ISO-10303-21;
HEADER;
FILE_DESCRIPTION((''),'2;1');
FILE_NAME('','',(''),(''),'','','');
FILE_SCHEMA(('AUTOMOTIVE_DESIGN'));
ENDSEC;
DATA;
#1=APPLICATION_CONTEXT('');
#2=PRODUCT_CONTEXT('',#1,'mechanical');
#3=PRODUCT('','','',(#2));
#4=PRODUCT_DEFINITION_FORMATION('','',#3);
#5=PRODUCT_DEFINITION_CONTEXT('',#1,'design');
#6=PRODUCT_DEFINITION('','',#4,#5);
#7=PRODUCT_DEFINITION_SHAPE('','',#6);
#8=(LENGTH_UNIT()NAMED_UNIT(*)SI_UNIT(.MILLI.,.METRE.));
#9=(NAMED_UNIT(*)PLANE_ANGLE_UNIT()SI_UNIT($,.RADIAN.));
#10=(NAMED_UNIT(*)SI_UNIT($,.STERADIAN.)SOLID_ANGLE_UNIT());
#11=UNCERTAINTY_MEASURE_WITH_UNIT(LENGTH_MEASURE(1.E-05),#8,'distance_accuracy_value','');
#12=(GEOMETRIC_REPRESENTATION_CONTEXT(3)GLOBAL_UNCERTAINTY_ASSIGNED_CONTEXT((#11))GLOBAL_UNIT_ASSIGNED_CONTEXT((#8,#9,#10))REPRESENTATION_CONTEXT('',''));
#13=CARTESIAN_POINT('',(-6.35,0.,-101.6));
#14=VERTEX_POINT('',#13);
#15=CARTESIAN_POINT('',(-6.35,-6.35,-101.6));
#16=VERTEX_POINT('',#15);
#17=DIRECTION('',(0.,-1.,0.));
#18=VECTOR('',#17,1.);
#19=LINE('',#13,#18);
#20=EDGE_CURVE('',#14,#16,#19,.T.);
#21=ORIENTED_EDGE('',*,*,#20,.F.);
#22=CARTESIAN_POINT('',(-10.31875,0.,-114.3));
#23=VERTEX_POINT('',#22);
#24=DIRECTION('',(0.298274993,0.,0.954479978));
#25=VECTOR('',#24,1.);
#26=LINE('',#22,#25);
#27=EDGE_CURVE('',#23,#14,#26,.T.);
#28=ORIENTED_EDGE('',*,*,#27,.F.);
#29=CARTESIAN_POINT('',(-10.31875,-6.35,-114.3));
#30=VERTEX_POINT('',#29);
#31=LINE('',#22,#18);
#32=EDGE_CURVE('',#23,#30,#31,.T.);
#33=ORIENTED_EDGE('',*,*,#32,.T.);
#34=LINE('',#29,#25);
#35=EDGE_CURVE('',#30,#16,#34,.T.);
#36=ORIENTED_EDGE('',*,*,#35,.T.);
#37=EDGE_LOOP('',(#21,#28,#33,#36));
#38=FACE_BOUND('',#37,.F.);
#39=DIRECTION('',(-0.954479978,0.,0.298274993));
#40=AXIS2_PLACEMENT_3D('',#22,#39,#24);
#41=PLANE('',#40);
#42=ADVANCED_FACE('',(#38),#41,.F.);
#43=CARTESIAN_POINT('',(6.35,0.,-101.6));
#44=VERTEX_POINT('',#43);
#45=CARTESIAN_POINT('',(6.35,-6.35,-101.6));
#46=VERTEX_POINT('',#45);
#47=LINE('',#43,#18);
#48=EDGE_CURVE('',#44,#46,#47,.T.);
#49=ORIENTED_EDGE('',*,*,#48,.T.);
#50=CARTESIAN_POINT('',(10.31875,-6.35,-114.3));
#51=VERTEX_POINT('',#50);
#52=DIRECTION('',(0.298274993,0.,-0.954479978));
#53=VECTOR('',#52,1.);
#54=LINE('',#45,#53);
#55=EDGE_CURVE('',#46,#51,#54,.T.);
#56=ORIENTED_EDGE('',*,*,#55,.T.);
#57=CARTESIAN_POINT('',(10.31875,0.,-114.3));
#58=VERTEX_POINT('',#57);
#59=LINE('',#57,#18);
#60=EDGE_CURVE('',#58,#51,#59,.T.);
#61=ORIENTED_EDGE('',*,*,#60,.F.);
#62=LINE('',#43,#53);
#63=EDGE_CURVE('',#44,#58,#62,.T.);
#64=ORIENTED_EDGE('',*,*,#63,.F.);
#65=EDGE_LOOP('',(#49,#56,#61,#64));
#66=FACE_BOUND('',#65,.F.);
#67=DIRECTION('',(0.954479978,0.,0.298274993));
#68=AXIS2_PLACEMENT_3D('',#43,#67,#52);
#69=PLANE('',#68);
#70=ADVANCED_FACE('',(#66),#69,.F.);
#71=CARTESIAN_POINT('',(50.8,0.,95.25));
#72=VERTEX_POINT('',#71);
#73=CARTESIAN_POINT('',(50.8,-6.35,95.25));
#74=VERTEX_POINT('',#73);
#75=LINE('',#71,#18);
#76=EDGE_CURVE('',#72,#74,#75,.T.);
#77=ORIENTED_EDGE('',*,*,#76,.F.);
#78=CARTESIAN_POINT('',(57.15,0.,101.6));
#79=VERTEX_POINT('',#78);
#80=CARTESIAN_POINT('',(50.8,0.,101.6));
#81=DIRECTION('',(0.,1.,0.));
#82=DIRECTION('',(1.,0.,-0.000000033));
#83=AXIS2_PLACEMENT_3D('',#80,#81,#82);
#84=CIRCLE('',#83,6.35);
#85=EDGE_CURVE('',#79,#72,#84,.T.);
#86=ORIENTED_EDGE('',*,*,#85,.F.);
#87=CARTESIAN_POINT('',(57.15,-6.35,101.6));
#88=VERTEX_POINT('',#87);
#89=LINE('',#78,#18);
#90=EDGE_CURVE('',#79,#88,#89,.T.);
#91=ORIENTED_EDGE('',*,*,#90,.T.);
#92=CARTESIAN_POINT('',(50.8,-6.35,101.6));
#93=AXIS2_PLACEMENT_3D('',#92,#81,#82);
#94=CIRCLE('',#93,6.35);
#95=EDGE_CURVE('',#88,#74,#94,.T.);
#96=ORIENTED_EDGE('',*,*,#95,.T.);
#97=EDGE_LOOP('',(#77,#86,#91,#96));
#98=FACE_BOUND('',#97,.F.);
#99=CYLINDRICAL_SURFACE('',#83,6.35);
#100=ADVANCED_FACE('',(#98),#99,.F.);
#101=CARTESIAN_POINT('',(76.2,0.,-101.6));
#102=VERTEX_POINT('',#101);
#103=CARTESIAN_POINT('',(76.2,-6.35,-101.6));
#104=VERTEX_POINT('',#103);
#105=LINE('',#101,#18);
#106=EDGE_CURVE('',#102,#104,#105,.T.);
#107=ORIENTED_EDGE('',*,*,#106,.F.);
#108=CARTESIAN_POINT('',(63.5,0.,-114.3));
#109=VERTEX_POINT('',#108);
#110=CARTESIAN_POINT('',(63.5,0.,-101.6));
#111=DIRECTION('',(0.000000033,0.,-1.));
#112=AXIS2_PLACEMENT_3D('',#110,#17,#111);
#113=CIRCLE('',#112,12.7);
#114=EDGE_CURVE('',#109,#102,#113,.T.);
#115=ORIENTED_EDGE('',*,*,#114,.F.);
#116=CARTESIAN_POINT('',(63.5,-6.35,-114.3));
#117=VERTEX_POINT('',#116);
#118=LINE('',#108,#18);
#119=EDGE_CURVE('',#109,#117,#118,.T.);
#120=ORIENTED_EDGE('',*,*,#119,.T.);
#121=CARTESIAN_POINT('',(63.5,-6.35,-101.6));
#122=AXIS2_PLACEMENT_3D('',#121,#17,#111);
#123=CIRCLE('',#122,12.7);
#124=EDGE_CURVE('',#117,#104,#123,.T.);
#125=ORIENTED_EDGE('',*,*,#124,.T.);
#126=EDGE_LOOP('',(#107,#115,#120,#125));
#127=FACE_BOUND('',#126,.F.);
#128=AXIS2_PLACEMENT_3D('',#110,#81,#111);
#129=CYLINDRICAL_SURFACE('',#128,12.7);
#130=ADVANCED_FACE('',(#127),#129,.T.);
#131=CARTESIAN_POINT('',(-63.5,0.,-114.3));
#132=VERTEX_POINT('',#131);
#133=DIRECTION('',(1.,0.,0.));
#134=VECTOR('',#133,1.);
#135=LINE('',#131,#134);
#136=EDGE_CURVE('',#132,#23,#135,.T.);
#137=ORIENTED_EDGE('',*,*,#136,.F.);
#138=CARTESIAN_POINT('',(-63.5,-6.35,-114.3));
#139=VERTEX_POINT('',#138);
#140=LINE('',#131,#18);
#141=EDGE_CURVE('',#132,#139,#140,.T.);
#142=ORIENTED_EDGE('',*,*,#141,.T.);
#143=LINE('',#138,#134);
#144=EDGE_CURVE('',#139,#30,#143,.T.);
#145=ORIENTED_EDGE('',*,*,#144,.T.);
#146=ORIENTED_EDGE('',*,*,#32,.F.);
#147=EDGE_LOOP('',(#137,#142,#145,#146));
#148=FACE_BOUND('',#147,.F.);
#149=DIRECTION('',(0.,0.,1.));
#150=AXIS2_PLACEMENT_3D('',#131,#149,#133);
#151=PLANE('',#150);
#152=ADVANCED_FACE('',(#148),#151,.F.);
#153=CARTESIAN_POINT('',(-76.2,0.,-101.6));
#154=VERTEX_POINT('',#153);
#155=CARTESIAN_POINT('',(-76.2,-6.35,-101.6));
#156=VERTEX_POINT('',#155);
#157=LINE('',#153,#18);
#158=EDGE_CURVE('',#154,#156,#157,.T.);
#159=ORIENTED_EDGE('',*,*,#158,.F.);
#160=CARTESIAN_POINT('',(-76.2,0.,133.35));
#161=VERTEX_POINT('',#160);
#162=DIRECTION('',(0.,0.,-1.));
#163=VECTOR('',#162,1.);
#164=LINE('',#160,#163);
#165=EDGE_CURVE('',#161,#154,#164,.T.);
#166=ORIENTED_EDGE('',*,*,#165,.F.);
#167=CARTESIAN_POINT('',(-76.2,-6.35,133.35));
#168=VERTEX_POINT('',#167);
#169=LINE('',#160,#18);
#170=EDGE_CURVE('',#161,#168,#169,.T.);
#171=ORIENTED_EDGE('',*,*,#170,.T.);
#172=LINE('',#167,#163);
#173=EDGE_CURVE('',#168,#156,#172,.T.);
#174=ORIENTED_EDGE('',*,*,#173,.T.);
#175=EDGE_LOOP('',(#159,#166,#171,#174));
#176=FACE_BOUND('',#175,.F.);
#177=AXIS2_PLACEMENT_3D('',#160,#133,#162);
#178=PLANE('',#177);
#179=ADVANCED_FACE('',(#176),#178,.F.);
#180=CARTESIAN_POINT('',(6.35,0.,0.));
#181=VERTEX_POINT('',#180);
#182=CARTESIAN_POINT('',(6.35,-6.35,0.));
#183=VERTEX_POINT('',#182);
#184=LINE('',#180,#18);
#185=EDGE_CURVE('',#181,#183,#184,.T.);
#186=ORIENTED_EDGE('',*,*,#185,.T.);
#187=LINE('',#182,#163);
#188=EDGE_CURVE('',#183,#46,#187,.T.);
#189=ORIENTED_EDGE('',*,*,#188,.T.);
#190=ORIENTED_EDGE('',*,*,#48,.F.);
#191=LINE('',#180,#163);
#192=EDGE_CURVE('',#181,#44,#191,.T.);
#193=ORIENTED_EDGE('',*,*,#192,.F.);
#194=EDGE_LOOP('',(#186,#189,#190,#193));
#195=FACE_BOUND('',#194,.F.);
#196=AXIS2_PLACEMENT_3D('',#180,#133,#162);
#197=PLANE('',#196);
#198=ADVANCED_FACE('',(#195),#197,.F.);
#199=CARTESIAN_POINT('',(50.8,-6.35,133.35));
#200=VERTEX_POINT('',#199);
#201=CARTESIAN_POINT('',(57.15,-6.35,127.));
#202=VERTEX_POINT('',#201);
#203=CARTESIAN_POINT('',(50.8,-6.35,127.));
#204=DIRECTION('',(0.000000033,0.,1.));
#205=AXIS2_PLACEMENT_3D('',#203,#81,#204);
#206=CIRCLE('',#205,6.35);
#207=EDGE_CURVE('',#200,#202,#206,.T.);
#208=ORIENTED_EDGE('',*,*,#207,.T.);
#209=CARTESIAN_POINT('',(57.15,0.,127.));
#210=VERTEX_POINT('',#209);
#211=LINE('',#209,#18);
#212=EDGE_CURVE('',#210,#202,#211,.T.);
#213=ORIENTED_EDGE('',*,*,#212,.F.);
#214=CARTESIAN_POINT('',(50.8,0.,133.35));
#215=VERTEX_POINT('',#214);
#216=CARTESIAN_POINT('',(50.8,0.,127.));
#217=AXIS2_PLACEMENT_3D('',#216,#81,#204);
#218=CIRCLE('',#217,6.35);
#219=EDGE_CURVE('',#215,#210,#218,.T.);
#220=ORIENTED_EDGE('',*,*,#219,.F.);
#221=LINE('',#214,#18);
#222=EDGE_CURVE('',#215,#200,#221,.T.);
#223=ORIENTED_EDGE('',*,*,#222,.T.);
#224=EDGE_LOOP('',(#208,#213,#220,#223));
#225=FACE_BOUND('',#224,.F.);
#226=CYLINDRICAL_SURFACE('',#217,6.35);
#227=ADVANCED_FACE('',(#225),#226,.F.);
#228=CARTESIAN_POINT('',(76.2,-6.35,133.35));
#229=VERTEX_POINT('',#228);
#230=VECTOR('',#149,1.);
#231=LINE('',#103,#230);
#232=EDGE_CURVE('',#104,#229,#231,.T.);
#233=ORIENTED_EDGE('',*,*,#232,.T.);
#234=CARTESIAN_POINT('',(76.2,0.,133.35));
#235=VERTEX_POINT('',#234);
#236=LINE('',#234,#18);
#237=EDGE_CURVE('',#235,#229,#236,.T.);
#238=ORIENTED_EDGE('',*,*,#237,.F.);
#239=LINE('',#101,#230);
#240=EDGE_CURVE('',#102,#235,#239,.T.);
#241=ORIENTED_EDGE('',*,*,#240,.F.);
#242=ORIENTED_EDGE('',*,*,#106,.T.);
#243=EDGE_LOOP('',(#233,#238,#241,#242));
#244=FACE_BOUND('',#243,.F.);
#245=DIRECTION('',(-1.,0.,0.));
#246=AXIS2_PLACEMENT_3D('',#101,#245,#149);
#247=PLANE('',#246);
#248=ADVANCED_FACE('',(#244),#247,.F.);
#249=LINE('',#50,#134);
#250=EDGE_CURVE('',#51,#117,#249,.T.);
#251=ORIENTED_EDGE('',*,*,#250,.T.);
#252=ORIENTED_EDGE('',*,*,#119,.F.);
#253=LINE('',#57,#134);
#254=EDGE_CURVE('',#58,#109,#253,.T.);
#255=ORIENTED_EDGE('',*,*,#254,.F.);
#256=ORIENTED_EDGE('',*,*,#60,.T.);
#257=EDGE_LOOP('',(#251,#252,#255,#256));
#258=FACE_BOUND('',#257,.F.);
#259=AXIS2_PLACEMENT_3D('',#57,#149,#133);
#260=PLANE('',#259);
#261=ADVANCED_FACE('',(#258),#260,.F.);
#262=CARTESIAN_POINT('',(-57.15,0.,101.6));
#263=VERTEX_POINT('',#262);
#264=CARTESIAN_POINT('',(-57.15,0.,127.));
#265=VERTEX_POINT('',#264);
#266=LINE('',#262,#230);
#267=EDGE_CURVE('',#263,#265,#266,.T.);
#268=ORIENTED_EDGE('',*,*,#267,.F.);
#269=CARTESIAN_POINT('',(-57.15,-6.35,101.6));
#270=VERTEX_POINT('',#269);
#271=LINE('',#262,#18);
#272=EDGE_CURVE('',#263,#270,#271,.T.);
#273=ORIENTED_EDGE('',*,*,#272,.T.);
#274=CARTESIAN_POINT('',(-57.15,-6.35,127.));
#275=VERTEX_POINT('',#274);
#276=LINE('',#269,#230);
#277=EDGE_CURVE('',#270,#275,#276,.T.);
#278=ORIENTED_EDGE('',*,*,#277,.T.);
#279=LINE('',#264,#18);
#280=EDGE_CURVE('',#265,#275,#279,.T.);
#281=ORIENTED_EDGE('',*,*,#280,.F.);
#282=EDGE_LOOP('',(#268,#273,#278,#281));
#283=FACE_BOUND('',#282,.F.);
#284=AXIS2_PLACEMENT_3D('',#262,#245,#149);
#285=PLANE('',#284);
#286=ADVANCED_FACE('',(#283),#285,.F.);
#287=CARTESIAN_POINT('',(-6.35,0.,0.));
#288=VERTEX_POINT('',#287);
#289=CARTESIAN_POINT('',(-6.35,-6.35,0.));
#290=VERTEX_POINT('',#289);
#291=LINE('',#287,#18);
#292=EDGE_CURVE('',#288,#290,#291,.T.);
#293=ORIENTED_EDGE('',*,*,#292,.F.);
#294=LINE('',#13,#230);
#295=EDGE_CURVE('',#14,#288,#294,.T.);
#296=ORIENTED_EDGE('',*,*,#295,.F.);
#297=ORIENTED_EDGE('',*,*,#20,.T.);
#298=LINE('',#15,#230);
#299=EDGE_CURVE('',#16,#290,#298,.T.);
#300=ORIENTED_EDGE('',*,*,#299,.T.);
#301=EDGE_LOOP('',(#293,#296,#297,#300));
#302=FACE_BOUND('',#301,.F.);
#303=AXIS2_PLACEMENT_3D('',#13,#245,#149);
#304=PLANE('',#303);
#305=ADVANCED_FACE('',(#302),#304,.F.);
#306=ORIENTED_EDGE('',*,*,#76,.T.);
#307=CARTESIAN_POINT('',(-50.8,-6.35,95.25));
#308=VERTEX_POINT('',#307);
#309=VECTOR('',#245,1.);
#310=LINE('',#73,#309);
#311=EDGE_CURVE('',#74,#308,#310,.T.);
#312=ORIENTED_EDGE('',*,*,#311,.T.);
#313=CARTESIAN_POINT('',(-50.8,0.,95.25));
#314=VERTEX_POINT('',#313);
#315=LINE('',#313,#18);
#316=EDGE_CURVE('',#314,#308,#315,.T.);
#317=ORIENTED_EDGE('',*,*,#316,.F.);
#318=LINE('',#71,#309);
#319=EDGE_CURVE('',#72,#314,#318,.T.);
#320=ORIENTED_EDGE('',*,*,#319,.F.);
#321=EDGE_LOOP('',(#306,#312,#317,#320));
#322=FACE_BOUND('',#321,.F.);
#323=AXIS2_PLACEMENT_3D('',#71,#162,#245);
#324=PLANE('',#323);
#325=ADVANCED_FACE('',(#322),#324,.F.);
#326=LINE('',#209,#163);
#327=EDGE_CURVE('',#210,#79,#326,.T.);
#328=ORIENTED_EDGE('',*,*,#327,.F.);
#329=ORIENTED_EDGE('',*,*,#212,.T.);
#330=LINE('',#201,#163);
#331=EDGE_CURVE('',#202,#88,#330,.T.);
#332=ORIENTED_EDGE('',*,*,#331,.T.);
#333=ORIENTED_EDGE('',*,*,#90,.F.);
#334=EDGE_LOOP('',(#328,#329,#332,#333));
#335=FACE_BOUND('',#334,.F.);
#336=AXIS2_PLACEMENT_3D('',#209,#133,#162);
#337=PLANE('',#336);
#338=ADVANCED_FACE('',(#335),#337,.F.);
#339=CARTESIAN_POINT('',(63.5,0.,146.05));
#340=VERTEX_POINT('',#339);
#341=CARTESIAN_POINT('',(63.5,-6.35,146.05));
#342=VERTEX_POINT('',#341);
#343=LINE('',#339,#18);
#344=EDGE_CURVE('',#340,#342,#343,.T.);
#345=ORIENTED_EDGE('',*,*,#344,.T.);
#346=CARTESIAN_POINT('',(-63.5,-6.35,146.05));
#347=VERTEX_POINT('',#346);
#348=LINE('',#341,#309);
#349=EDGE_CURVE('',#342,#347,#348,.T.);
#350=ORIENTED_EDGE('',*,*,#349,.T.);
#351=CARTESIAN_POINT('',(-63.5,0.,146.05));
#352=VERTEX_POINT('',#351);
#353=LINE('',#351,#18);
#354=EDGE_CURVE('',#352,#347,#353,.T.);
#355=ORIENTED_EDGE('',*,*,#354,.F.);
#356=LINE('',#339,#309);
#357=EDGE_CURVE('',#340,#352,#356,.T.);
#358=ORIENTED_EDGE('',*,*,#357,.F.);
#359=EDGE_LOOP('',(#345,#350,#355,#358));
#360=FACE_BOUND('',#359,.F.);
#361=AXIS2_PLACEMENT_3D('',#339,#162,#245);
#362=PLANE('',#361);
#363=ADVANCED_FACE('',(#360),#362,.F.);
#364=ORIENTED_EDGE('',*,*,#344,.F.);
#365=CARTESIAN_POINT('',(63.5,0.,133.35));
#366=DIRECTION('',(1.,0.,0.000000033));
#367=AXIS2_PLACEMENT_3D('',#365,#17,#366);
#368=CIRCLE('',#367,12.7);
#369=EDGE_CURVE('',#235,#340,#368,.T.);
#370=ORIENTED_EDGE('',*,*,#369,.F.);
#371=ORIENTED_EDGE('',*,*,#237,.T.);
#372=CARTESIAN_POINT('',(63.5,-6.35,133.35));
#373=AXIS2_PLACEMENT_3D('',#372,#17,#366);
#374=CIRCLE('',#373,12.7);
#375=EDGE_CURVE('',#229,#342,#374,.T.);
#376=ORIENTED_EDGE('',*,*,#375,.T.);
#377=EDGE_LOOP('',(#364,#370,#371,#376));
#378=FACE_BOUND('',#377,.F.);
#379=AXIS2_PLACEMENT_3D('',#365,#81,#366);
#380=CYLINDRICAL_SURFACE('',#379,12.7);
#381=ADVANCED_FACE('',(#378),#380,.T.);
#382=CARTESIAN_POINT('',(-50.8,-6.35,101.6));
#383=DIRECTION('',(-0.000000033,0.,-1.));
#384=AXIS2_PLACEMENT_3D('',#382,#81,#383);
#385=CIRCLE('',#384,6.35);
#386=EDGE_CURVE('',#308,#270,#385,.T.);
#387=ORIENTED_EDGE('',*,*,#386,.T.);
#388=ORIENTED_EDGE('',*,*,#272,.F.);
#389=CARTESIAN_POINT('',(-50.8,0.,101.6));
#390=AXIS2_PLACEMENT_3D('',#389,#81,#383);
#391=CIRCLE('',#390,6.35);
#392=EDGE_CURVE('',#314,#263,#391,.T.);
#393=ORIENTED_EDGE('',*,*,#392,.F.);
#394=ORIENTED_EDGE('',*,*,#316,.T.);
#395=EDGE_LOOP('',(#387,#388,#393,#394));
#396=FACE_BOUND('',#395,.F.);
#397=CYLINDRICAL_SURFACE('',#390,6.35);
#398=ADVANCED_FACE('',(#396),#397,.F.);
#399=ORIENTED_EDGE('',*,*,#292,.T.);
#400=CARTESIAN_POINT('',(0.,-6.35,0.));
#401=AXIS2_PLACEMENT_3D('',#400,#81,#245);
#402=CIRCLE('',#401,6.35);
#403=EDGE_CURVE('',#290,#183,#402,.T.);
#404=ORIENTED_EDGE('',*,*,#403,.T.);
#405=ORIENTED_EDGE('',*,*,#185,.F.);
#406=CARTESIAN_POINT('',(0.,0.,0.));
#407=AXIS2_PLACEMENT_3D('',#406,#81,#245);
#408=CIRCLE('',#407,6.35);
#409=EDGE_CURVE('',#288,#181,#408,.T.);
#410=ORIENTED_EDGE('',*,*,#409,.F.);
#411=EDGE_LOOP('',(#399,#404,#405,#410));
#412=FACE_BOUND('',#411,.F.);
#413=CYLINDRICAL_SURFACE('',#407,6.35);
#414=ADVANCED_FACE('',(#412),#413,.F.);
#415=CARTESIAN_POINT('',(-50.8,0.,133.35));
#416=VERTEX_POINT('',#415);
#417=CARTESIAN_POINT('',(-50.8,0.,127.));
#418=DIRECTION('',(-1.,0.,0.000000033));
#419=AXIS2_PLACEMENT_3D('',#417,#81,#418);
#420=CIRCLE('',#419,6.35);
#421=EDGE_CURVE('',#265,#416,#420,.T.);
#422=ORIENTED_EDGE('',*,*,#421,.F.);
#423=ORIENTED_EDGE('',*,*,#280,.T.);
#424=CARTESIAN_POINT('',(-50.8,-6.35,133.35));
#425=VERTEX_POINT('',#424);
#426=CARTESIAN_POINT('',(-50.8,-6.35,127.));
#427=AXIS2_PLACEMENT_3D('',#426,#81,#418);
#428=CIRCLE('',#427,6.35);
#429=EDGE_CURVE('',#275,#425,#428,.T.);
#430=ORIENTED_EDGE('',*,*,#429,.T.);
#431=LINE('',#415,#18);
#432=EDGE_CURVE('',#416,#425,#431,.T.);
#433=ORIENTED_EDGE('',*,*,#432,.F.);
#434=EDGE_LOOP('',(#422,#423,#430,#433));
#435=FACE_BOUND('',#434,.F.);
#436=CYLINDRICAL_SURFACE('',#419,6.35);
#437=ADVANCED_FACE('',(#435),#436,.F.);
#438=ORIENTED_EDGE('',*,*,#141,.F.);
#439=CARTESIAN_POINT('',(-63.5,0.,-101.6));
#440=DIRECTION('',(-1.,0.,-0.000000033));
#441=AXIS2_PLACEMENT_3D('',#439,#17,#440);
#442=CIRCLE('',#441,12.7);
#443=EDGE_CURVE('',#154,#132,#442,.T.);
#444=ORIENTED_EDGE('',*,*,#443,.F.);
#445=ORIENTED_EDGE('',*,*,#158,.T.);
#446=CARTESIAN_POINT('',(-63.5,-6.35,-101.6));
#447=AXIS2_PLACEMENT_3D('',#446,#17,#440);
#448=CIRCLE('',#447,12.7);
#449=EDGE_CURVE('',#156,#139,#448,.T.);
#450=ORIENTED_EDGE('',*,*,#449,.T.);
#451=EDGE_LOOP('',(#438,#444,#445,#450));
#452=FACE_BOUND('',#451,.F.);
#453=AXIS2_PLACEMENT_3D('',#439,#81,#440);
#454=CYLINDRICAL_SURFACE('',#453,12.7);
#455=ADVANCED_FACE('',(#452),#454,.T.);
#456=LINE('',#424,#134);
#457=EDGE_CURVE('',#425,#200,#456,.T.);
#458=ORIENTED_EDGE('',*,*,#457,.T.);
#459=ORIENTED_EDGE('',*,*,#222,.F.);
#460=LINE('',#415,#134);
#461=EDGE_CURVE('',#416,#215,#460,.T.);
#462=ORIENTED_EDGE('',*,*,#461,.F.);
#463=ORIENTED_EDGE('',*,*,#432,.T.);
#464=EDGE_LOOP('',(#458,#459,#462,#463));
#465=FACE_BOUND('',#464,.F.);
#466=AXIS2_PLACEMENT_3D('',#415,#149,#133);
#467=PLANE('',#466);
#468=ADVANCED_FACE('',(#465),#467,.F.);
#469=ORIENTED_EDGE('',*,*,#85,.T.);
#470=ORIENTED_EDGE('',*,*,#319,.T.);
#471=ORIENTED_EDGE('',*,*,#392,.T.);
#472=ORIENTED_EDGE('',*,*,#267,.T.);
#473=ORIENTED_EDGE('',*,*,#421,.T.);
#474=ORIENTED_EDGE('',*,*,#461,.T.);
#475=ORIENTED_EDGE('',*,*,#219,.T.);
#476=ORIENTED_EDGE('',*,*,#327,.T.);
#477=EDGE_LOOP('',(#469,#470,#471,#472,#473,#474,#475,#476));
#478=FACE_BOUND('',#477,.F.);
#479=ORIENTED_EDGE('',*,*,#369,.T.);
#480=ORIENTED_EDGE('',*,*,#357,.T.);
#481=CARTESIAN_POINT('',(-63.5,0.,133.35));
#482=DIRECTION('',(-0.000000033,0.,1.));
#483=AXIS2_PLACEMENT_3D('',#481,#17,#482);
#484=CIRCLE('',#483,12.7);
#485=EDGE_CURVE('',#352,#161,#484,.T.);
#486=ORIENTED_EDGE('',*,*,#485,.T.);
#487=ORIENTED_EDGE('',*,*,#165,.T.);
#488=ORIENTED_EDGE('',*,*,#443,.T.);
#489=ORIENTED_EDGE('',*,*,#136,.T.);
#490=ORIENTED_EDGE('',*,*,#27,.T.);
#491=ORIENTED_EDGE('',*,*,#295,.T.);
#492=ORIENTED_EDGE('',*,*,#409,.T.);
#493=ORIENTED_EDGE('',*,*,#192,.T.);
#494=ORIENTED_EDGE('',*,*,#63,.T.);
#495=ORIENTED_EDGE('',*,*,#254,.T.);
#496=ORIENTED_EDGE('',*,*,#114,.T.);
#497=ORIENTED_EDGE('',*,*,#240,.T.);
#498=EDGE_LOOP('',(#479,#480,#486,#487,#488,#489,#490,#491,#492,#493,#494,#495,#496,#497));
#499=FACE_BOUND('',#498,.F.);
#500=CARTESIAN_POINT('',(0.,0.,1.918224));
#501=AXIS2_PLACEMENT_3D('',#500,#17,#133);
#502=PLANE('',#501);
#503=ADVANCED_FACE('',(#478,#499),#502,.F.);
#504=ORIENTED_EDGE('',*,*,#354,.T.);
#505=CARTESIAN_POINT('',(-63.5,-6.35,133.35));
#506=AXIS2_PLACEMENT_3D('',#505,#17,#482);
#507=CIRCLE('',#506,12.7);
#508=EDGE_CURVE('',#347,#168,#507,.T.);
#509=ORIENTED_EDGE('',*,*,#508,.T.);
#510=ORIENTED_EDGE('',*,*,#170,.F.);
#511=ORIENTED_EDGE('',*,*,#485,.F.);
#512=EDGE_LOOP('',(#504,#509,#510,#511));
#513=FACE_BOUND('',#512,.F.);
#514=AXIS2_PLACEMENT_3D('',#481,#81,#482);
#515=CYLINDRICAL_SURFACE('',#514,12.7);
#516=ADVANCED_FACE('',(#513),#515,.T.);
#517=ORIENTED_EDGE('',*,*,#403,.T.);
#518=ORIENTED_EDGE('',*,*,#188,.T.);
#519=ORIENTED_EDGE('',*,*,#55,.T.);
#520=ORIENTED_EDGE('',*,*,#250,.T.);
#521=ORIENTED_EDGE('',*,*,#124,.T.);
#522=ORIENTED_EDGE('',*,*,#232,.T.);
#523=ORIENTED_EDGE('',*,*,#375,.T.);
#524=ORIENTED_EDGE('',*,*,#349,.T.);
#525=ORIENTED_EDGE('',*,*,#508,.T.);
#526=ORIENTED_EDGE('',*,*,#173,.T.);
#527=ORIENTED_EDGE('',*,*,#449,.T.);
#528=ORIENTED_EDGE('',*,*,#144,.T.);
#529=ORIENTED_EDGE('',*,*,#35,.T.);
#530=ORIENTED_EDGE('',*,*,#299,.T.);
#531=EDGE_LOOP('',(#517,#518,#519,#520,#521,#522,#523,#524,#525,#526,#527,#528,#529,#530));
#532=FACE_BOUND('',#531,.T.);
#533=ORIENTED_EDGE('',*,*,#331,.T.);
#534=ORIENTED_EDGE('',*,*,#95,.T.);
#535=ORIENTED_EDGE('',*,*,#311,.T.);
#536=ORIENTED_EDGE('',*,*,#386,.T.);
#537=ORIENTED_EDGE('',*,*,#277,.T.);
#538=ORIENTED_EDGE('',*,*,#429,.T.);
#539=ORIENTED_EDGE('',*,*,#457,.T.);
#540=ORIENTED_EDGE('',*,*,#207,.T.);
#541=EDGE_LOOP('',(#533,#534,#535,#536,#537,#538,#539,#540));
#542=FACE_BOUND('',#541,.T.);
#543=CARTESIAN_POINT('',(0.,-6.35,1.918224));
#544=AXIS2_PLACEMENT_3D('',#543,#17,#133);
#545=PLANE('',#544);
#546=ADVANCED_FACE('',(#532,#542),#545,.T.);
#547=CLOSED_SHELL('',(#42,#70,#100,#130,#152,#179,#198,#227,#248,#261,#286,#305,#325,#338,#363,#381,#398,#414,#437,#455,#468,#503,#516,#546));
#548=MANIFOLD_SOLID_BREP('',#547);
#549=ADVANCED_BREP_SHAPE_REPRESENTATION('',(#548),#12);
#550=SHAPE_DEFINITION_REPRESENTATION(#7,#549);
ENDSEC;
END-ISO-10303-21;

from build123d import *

# Parameters (mm, degrees)
F1_DEPTH = 6.35


with BuildPart() as f1:
    # F0 (on Front) → F1 (new body)
    with BuildSketch(Plane.XZ):
        with BuildLine():
            ThreePointArc((-6.35, 0), (0, 6.35), (6.35, 0))
            Line((6.35, 0), (6.35, -101.6))
            Line((6.35, -101.6), (10.31875, -114.3))
            Line((10.31875, -114.3), (63.5, -114.3))
            ThreePointArc((63.5, -114.3), (72.480256, -110.580256), (76.2, -101.6))
            Line((76.2, -101.6), (76.2, 133.35))
            ThreePointArc((76.2, 133.35), (72.480256, 142.330256), (63.5, 146.05))
            Line((63.5, 146.05), (-63.5, 146.05))
            ThreePointArc((-63.5, 146.05), (-72.480256, 142.330256), (-76.2, 133.35))
            Line((-76.2, 133.35), (-76.2, -101.6))
            ThreePointArc((-76.2, -101.6), (-72.480256, -110.580256), (-63.5, -114.3))
            Line((-63.5, -114.3), (-10.31875, -114.3))
            Line((-10.31875, -114.3), (-6.35, -101.6))
            Line((-6.35, -101.6), (-6.35, 0))
        make_face()
        with BuildLine():
            ThreePointArc((-57.15, 127), (-55.290128, 131.490128), (-50.8, 133.35))
            Line((-50.8, 133.35), (50.8, 133.35))
            ThreePointArc((50.8, 133.35), (55.290128, 131.490128), (57.15, 127))
            Line((57.15, 127), (57.15, 101.6))
            ThreePointArc((57.15, 101.6), (55.290128, 97.109872), (50.8, 95.25))
            Line((50.8, 95.25), (-50.8, 95.25))
            ThreePointArc((-50.8, 95.25), (-55.290128, 97.109872), (-57.15, 101.6))
            Line((-57.15, 101.6), (-57.15, 127))
        make_face(mode=Mode.SUBTRACT)
    extrude(amount=F1_DEPTH)


solid = f1.part
